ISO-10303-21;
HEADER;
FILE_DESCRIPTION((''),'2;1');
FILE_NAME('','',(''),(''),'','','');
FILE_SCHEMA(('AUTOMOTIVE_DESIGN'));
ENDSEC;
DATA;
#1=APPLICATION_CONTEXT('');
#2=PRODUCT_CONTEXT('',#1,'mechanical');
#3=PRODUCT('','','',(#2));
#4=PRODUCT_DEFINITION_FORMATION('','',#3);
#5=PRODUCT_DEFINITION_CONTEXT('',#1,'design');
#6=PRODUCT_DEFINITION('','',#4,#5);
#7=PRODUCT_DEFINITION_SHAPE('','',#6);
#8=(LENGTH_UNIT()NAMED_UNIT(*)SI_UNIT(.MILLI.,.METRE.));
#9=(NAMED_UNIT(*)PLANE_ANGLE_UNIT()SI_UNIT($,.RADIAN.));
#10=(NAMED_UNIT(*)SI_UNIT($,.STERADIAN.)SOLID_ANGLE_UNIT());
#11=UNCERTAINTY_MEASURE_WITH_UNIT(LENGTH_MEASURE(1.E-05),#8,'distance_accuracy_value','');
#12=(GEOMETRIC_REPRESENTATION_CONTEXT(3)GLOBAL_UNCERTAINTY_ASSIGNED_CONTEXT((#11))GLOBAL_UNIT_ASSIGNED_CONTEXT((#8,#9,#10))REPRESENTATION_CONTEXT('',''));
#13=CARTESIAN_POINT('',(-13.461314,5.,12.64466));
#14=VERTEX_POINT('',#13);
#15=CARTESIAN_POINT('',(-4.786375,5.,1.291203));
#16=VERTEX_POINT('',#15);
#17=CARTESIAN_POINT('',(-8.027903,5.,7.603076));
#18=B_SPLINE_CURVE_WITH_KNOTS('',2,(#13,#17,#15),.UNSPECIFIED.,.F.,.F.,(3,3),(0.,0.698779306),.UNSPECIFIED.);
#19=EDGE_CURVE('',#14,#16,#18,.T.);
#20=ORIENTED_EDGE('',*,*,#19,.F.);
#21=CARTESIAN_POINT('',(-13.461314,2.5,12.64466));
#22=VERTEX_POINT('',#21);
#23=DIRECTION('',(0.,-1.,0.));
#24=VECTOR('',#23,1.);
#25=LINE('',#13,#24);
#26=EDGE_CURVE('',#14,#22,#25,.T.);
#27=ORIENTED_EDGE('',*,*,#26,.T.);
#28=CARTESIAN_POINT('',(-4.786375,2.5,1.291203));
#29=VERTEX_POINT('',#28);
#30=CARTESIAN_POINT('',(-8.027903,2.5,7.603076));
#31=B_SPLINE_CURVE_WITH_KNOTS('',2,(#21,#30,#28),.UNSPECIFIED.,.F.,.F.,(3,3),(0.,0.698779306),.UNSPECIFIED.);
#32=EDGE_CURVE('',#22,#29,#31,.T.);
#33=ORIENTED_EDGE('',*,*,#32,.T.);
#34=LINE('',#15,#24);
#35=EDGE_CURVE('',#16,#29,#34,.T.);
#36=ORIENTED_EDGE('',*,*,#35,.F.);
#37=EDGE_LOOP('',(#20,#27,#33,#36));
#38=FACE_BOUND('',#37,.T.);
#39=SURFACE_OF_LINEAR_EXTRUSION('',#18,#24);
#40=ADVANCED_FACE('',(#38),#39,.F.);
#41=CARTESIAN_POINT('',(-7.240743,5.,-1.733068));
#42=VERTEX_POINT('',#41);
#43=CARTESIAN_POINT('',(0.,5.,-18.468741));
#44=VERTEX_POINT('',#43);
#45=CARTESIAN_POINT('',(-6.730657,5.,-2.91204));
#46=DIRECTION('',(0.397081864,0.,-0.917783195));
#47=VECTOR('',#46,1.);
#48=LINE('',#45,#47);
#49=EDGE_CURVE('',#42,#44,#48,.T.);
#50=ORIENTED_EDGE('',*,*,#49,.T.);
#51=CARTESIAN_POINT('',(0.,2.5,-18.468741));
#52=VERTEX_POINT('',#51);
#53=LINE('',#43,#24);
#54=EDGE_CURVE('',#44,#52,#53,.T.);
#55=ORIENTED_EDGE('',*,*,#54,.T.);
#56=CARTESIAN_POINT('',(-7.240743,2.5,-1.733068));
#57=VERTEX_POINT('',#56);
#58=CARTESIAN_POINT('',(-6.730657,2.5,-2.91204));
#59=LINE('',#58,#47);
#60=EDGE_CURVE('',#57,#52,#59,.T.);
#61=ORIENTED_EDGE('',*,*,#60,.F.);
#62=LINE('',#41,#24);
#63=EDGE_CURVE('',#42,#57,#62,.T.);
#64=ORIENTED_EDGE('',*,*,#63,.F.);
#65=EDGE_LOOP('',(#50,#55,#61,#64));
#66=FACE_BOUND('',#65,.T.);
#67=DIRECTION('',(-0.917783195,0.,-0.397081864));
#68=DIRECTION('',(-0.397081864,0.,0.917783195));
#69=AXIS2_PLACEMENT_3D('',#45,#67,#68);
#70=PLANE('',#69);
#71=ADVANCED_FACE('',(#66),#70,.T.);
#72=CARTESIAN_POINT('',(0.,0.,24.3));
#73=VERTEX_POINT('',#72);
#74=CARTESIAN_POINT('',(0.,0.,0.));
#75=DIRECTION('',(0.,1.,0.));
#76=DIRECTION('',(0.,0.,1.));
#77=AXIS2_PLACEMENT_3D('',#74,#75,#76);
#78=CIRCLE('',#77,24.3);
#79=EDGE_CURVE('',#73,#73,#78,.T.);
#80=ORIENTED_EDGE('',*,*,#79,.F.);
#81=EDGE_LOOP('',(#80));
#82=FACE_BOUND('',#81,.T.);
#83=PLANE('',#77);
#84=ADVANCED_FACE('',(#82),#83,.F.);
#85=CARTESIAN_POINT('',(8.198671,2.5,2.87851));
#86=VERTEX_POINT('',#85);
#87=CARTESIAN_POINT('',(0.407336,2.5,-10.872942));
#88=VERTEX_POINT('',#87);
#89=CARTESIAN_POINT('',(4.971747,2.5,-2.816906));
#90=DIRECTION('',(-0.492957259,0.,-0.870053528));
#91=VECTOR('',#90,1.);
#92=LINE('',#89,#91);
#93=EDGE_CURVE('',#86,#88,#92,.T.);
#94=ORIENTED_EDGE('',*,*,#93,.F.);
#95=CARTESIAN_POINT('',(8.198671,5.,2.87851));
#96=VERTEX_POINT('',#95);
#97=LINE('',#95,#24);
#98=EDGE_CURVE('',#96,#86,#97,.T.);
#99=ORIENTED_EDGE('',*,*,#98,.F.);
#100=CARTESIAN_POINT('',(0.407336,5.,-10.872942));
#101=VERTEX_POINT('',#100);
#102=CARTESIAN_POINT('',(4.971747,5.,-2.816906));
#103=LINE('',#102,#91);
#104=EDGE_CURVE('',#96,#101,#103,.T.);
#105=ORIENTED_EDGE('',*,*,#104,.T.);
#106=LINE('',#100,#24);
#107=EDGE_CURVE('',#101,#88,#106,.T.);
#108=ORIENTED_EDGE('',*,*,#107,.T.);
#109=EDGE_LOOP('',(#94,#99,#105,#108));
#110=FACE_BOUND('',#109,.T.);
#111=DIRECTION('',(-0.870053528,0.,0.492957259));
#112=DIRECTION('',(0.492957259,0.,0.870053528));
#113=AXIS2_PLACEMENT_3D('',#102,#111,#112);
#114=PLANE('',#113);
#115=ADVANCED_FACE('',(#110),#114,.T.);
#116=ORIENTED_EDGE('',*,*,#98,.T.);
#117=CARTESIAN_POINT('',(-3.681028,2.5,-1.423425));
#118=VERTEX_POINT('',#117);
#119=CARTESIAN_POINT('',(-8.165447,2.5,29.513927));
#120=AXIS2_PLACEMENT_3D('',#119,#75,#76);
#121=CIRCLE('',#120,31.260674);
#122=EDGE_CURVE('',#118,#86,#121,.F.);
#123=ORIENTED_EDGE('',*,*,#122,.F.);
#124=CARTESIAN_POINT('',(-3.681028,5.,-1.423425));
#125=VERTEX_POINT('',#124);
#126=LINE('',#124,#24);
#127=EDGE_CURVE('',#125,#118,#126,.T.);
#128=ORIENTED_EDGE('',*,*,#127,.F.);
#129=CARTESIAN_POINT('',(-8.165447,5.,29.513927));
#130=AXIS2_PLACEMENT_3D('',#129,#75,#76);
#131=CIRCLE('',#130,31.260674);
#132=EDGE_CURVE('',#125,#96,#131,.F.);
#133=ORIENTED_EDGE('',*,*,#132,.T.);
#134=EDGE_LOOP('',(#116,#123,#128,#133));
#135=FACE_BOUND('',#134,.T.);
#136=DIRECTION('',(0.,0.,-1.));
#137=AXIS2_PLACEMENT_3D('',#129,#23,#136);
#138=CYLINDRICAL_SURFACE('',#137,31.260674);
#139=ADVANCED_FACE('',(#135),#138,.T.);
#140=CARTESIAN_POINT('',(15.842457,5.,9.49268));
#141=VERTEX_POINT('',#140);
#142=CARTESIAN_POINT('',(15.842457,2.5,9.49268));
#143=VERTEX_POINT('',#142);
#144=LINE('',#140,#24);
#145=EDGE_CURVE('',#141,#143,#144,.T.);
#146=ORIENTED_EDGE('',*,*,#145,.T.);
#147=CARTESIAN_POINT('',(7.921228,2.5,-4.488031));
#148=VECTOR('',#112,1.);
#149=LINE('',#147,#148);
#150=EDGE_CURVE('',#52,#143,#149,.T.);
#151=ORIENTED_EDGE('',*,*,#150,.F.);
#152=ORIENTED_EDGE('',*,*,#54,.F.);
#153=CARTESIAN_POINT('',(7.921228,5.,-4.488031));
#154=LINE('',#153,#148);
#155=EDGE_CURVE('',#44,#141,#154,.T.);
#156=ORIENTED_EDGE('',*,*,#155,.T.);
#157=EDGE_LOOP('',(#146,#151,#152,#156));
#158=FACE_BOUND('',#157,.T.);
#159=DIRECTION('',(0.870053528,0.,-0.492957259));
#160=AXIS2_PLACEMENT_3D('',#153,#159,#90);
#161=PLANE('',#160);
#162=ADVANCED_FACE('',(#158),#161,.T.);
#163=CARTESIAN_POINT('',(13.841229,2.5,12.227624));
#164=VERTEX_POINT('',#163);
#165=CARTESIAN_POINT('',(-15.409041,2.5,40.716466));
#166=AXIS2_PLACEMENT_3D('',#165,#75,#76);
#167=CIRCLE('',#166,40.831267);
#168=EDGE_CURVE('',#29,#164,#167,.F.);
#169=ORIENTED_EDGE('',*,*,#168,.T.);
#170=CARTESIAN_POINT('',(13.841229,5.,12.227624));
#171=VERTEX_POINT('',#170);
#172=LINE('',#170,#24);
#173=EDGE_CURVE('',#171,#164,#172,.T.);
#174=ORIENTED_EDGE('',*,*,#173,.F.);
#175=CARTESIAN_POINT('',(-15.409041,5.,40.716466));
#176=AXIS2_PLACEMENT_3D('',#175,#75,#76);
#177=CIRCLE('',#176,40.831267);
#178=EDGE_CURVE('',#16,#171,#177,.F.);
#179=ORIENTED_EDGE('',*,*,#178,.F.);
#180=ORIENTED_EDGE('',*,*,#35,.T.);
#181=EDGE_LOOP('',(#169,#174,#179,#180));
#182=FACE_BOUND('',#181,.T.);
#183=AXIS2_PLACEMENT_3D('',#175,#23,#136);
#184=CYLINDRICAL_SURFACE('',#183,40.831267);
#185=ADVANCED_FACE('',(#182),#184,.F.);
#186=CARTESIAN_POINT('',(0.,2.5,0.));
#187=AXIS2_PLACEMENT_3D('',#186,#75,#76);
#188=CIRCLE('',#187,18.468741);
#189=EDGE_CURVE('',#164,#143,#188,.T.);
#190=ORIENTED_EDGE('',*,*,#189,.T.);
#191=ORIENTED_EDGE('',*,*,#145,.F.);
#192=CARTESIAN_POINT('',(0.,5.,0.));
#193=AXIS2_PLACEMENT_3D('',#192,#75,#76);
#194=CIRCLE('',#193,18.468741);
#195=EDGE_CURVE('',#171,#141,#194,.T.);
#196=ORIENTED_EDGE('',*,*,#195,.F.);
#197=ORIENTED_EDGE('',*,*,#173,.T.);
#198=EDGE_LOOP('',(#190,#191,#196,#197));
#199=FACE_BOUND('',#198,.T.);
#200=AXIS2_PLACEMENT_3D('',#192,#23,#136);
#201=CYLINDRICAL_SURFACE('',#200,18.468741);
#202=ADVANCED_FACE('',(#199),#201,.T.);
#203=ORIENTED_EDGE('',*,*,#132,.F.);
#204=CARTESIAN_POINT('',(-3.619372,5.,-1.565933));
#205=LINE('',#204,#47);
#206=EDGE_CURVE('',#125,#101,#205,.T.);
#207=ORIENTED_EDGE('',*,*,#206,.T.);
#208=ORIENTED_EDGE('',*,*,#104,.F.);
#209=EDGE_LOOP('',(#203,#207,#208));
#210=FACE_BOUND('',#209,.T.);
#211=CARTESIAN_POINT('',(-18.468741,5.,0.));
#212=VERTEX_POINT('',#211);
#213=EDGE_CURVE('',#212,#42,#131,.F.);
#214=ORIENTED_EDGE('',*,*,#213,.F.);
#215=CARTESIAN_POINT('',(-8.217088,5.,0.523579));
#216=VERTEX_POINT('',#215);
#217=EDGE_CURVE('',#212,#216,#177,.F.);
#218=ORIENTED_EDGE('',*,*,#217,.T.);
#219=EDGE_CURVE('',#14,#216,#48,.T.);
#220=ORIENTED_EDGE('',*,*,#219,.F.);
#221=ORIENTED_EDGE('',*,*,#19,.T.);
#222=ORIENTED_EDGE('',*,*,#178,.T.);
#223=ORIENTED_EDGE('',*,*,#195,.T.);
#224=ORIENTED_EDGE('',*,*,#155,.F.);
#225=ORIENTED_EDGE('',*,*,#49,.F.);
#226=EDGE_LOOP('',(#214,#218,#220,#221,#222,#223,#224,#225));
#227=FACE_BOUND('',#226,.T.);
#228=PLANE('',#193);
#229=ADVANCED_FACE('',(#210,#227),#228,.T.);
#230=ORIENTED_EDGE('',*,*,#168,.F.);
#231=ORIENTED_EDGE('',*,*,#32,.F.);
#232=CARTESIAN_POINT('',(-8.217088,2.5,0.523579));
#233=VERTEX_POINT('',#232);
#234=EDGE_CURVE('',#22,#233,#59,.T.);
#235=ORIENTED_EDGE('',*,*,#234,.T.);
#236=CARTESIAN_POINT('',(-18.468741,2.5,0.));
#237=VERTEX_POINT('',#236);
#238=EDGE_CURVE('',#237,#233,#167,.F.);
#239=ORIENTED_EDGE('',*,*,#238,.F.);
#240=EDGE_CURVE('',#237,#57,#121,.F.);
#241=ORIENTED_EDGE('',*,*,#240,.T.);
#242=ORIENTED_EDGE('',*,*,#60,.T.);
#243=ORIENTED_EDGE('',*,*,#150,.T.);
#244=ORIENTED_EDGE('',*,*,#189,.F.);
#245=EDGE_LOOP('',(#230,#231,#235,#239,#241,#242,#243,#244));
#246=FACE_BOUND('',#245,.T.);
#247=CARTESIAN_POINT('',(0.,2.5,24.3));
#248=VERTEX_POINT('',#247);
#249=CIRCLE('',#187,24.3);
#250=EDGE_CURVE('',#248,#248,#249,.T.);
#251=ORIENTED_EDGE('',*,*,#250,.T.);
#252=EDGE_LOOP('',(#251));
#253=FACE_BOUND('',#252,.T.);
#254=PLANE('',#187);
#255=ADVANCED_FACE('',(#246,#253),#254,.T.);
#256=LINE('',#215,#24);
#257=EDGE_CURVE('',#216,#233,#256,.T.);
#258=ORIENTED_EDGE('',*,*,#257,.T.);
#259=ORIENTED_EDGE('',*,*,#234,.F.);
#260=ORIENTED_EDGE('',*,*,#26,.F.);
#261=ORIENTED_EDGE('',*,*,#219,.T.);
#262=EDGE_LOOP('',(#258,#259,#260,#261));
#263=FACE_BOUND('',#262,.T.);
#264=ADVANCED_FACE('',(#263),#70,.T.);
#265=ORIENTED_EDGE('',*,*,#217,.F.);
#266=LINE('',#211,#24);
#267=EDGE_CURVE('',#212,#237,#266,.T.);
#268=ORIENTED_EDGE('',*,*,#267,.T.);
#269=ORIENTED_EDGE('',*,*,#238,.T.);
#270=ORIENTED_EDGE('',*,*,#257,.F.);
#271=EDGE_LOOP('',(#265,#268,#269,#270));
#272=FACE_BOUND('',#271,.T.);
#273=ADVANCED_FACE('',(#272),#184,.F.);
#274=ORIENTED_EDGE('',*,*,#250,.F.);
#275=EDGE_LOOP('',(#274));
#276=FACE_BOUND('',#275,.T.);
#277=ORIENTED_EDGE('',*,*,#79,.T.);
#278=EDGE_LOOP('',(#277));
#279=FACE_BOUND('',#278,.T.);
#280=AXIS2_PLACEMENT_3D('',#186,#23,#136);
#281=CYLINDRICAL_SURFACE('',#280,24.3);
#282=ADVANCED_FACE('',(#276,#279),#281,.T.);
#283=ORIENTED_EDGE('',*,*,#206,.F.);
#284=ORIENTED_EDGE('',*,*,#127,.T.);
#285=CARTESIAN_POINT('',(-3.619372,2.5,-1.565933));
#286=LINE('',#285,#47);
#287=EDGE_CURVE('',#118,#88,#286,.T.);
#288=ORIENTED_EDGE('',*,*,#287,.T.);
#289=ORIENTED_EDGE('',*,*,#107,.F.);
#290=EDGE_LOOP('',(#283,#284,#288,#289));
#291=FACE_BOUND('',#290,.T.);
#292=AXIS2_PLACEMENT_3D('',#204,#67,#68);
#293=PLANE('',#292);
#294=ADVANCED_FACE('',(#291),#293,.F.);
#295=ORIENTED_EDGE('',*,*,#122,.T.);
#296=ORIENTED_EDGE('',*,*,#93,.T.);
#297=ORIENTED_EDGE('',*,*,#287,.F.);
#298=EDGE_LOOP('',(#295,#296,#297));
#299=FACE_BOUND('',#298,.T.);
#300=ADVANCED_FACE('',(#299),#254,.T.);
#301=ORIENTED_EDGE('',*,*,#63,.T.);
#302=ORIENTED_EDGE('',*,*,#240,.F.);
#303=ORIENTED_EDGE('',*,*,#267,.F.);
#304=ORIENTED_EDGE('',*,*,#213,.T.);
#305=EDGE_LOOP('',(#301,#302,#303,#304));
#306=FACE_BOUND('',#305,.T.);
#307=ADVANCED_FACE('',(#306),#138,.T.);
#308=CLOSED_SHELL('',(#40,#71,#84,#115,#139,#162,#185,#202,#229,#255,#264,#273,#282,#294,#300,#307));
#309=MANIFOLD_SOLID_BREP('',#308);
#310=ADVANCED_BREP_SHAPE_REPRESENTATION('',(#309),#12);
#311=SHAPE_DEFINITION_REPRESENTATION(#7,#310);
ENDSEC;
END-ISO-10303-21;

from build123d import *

# Parameters (mm, degrees)
SKETCH1_R           = 24.3
BOSS_EXTRUDE1_DEPTH = 2.5
BOSS_EXTRUDE3_DEPTH = 2.5


with BuildPart() as part:
    # Sketch1 → Boss-Extrude1 (new body)
    with BuildSketch(Plane(origin=(0, 0, 0), x_dir=(1, 0, 0), z_dir=(0, 1, 0))):
        Circle(SKETCH1_R)
    extrude(amount=BOSS_EXTRUDE1_DEPTH)

    # Sketch2 → Boss-Extrude3 (add)
    with BuildSketch(Plane(origin=(0, 2.5, 0), x_dir=(1, 0, 0), z_dir=(0, 1, 0))):
        with BuildLine():
            Line((-8.217088494, -0.523578651), (-13.461313625, -12.64466032))
            add(Edge.make_bspline(
                [(-13.461313625, -12.64466032), (-8.027902846, -7.603076106), (-4.786374516, -1.291203376)],
                knots=[0, 0, 0, 0.698779306, 0.698779306, 0.698779306], degree=2))
            ThreePointArc((-4.786374516, -1.291203376), (5.263745038, -5.505270352), (13.84122859, -12.227624065))
            ThreePointArc((13.84122859, -12.227624065), (14.904706404, -10.90615084), (15.842456672, -9.492679587))
            Line((15.842456672, -9.492679587), (0, 18.468741136))
            Line((0, 18.468741136), (-7.240743071, 1.733067912))
            ThreePointArc((-7.240743071, 1.733067912), (-12.934133358, 1.380884752), (-18.468741136, 0))
            ThreePointArc((-18.468741136, 0), (-13.32639579, 0.061652646), (-8.217088494, -0.523578651))
        make_face()
        with BuildLine():
            ThreePointArc((8.198670855, -2.878510194), (2.478425995, -0.121109089), (-3.681028203, 1.423425177))
            Line((-3.681028203, 1.423425177), (-0.630983691, 8.473053617))
            Line((-0.630983691, 8.473053617), (0.407335967, 10.872942458))
            Line((0.407335967, 10.872942458), (2.461520314, 7.247373901))
            Line((2.461520314, 7.247373901), (8.198670855, -2.878510194))
        make_face(mode=Mode.SUBTRACT)
    extrude(amount=BOSS_EXTRUDE3_DEPTH)


solid = part.part
